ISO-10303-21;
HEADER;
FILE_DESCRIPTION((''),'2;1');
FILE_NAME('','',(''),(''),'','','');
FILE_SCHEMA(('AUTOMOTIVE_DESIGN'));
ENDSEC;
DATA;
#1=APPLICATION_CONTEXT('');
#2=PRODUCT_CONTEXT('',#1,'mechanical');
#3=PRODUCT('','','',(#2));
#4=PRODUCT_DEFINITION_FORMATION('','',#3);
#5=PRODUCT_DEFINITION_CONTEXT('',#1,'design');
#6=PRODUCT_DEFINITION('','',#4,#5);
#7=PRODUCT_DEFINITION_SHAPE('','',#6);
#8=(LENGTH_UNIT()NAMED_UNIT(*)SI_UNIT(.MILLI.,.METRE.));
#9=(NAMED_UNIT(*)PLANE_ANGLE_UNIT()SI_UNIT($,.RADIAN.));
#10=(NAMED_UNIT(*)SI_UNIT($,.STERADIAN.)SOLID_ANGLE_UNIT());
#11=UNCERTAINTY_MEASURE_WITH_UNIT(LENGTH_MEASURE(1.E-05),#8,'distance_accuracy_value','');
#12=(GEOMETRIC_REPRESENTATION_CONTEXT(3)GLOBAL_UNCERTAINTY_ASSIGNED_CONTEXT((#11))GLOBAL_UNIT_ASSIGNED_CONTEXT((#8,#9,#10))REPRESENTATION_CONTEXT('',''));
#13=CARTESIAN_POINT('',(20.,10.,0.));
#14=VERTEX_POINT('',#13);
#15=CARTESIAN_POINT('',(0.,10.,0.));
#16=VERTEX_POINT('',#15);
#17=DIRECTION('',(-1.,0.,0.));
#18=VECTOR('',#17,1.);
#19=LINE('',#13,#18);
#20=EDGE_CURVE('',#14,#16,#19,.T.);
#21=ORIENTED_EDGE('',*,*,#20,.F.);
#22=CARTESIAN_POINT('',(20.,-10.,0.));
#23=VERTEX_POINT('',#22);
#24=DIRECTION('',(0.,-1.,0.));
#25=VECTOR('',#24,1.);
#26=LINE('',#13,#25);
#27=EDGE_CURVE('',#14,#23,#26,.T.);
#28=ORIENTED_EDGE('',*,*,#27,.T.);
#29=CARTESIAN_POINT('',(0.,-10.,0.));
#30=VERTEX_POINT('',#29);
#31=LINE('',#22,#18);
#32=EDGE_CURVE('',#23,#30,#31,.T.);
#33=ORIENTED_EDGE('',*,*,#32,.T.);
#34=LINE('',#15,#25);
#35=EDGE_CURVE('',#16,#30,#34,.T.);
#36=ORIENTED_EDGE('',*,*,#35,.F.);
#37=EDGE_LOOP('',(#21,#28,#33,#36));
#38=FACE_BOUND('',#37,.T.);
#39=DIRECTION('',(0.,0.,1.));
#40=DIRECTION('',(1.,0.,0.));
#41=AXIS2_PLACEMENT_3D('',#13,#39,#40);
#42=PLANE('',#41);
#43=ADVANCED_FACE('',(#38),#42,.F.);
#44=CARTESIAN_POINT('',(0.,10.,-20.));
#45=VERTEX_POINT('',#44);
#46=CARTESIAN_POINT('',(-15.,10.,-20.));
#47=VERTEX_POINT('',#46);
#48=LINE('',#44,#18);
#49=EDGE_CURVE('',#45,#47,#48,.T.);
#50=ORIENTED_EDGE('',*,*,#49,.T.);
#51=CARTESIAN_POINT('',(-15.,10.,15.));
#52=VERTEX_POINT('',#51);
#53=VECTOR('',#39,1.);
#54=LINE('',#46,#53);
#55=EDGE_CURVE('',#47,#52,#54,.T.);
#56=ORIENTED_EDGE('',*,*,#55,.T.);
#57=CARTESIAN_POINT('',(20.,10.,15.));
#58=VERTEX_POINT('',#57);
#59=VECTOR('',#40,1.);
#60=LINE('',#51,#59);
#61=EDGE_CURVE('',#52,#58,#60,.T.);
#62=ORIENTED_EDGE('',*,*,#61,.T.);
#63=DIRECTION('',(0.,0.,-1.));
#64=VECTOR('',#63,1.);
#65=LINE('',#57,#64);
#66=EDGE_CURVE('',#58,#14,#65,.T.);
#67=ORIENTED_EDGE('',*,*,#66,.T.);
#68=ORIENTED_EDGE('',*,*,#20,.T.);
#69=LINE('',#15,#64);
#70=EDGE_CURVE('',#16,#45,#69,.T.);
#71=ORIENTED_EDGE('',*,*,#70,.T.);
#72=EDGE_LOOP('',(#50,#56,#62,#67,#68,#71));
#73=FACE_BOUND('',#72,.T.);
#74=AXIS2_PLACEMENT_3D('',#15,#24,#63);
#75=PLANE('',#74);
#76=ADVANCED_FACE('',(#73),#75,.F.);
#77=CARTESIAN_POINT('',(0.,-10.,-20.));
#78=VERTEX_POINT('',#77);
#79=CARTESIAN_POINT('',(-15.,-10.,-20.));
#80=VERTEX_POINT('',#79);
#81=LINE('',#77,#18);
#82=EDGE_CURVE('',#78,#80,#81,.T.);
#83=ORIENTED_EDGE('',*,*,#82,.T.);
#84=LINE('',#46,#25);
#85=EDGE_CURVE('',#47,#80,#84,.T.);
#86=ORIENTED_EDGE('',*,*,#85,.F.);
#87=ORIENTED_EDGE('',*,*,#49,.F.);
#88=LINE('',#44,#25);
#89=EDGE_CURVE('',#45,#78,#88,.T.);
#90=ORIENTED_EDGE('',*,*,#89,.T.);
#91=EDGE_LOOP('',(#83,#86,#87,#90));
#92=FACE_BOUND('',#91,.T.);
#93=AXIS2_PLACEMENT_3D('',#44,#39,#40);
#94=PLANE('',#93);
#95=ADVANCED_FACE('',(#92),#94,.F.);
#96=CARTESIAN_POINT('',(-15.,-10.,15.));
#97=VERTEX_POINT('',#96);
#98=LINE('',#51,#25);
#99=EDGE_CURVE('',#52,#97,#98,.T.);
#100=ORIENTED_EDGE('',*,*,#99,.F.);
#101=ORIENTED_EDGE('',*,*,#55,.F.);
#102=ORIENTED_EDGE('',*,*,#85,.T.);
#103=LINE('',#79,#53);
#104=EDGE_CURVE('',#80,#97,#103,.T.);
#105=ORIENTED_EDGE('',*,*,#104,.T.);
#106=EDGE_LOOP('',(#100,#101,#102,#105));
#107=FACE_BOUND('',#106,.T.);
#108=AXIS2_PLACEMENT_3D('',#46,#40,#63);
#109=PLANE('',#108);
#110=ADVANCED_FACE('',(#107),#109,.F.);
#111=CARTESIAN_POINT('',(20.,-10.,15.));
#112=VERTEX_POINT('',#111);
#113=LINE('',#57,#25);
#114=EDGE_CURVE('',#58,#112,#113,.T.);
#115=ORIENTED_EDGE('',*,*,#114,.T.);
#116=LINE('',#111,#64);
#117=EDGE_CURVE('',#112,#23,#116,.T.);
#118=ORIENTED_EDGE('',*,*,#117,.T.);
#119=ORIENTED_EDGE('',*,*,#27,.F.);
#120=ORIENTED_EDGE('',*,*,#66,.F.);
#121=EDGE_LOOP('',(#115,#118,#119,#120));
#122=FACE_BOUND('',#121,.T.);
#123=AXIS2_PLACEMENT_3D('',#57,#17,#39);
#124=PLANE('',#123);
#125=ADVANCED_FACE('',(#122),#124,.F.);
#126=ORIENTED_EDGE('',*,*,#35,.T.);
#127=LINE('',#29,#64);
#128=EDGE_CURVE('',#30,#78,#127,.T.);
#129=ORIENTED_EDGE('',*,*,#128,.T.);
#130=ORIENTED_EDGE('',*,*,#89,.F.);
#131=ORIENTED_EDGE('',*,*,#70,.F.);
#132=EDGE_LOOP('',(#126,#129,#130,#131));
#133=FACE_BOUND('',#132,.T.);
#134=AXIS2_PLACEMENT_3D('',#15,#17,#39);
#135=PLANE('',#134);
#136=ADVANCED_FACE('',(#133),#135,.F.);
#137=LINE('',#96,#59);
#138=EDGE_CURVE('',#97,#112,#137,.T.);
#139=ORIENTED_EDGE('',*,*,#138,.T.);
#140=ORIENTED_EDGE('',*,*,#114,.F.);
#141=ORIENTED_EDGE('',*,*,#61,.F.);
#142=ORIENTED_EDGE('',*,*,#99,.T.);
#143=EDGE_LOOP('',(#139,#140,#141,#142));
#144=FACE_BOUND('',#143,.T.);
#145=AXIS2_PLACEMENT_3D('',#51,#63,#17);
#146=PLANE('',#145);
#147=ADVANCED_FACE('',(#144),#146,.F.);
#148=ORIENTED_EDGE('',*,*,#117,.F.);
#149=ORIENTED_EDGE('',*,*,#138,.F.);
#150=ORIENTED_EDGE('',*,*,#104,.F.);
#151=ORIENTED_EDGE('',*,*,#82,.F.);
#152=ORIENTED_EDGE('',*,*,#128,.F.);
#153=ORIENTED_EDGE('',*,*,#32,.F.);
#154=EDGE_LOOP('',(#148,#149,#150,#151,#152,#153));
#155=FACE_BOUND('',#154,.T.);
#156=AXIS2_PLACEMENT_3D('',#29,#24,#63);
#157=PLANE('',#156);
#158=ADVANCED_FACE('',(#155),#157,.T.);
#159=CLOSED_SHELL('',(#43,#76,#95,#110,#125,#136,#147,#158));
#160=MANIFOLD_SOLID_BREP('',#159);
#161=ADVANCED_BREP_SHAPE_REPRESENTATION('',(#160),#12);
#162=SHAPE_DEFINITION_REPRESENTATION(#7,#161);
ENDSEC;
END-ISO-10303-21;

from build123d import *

# Parameters (mm, degrees)
SALIENTE_EXTRUIR1_DEPTH = 10


with BuildPart() as part:
    # Croquis1 → Saliente-Extruir1 (new body, symmetric)
    with BuildSketch(Plane(origin=(0, 0, 0), x_dir=(1, 0, 0), z_dir=(0, 1, 0))):
        Polygon((0, 0), (0, 20), (-15, 20), (-15, -15), (20, -15), (20, 0), align=None)
    extrude(amount=SALIENTE_EXTRUIR1_DEPTH, both=True)


solid = part.part
